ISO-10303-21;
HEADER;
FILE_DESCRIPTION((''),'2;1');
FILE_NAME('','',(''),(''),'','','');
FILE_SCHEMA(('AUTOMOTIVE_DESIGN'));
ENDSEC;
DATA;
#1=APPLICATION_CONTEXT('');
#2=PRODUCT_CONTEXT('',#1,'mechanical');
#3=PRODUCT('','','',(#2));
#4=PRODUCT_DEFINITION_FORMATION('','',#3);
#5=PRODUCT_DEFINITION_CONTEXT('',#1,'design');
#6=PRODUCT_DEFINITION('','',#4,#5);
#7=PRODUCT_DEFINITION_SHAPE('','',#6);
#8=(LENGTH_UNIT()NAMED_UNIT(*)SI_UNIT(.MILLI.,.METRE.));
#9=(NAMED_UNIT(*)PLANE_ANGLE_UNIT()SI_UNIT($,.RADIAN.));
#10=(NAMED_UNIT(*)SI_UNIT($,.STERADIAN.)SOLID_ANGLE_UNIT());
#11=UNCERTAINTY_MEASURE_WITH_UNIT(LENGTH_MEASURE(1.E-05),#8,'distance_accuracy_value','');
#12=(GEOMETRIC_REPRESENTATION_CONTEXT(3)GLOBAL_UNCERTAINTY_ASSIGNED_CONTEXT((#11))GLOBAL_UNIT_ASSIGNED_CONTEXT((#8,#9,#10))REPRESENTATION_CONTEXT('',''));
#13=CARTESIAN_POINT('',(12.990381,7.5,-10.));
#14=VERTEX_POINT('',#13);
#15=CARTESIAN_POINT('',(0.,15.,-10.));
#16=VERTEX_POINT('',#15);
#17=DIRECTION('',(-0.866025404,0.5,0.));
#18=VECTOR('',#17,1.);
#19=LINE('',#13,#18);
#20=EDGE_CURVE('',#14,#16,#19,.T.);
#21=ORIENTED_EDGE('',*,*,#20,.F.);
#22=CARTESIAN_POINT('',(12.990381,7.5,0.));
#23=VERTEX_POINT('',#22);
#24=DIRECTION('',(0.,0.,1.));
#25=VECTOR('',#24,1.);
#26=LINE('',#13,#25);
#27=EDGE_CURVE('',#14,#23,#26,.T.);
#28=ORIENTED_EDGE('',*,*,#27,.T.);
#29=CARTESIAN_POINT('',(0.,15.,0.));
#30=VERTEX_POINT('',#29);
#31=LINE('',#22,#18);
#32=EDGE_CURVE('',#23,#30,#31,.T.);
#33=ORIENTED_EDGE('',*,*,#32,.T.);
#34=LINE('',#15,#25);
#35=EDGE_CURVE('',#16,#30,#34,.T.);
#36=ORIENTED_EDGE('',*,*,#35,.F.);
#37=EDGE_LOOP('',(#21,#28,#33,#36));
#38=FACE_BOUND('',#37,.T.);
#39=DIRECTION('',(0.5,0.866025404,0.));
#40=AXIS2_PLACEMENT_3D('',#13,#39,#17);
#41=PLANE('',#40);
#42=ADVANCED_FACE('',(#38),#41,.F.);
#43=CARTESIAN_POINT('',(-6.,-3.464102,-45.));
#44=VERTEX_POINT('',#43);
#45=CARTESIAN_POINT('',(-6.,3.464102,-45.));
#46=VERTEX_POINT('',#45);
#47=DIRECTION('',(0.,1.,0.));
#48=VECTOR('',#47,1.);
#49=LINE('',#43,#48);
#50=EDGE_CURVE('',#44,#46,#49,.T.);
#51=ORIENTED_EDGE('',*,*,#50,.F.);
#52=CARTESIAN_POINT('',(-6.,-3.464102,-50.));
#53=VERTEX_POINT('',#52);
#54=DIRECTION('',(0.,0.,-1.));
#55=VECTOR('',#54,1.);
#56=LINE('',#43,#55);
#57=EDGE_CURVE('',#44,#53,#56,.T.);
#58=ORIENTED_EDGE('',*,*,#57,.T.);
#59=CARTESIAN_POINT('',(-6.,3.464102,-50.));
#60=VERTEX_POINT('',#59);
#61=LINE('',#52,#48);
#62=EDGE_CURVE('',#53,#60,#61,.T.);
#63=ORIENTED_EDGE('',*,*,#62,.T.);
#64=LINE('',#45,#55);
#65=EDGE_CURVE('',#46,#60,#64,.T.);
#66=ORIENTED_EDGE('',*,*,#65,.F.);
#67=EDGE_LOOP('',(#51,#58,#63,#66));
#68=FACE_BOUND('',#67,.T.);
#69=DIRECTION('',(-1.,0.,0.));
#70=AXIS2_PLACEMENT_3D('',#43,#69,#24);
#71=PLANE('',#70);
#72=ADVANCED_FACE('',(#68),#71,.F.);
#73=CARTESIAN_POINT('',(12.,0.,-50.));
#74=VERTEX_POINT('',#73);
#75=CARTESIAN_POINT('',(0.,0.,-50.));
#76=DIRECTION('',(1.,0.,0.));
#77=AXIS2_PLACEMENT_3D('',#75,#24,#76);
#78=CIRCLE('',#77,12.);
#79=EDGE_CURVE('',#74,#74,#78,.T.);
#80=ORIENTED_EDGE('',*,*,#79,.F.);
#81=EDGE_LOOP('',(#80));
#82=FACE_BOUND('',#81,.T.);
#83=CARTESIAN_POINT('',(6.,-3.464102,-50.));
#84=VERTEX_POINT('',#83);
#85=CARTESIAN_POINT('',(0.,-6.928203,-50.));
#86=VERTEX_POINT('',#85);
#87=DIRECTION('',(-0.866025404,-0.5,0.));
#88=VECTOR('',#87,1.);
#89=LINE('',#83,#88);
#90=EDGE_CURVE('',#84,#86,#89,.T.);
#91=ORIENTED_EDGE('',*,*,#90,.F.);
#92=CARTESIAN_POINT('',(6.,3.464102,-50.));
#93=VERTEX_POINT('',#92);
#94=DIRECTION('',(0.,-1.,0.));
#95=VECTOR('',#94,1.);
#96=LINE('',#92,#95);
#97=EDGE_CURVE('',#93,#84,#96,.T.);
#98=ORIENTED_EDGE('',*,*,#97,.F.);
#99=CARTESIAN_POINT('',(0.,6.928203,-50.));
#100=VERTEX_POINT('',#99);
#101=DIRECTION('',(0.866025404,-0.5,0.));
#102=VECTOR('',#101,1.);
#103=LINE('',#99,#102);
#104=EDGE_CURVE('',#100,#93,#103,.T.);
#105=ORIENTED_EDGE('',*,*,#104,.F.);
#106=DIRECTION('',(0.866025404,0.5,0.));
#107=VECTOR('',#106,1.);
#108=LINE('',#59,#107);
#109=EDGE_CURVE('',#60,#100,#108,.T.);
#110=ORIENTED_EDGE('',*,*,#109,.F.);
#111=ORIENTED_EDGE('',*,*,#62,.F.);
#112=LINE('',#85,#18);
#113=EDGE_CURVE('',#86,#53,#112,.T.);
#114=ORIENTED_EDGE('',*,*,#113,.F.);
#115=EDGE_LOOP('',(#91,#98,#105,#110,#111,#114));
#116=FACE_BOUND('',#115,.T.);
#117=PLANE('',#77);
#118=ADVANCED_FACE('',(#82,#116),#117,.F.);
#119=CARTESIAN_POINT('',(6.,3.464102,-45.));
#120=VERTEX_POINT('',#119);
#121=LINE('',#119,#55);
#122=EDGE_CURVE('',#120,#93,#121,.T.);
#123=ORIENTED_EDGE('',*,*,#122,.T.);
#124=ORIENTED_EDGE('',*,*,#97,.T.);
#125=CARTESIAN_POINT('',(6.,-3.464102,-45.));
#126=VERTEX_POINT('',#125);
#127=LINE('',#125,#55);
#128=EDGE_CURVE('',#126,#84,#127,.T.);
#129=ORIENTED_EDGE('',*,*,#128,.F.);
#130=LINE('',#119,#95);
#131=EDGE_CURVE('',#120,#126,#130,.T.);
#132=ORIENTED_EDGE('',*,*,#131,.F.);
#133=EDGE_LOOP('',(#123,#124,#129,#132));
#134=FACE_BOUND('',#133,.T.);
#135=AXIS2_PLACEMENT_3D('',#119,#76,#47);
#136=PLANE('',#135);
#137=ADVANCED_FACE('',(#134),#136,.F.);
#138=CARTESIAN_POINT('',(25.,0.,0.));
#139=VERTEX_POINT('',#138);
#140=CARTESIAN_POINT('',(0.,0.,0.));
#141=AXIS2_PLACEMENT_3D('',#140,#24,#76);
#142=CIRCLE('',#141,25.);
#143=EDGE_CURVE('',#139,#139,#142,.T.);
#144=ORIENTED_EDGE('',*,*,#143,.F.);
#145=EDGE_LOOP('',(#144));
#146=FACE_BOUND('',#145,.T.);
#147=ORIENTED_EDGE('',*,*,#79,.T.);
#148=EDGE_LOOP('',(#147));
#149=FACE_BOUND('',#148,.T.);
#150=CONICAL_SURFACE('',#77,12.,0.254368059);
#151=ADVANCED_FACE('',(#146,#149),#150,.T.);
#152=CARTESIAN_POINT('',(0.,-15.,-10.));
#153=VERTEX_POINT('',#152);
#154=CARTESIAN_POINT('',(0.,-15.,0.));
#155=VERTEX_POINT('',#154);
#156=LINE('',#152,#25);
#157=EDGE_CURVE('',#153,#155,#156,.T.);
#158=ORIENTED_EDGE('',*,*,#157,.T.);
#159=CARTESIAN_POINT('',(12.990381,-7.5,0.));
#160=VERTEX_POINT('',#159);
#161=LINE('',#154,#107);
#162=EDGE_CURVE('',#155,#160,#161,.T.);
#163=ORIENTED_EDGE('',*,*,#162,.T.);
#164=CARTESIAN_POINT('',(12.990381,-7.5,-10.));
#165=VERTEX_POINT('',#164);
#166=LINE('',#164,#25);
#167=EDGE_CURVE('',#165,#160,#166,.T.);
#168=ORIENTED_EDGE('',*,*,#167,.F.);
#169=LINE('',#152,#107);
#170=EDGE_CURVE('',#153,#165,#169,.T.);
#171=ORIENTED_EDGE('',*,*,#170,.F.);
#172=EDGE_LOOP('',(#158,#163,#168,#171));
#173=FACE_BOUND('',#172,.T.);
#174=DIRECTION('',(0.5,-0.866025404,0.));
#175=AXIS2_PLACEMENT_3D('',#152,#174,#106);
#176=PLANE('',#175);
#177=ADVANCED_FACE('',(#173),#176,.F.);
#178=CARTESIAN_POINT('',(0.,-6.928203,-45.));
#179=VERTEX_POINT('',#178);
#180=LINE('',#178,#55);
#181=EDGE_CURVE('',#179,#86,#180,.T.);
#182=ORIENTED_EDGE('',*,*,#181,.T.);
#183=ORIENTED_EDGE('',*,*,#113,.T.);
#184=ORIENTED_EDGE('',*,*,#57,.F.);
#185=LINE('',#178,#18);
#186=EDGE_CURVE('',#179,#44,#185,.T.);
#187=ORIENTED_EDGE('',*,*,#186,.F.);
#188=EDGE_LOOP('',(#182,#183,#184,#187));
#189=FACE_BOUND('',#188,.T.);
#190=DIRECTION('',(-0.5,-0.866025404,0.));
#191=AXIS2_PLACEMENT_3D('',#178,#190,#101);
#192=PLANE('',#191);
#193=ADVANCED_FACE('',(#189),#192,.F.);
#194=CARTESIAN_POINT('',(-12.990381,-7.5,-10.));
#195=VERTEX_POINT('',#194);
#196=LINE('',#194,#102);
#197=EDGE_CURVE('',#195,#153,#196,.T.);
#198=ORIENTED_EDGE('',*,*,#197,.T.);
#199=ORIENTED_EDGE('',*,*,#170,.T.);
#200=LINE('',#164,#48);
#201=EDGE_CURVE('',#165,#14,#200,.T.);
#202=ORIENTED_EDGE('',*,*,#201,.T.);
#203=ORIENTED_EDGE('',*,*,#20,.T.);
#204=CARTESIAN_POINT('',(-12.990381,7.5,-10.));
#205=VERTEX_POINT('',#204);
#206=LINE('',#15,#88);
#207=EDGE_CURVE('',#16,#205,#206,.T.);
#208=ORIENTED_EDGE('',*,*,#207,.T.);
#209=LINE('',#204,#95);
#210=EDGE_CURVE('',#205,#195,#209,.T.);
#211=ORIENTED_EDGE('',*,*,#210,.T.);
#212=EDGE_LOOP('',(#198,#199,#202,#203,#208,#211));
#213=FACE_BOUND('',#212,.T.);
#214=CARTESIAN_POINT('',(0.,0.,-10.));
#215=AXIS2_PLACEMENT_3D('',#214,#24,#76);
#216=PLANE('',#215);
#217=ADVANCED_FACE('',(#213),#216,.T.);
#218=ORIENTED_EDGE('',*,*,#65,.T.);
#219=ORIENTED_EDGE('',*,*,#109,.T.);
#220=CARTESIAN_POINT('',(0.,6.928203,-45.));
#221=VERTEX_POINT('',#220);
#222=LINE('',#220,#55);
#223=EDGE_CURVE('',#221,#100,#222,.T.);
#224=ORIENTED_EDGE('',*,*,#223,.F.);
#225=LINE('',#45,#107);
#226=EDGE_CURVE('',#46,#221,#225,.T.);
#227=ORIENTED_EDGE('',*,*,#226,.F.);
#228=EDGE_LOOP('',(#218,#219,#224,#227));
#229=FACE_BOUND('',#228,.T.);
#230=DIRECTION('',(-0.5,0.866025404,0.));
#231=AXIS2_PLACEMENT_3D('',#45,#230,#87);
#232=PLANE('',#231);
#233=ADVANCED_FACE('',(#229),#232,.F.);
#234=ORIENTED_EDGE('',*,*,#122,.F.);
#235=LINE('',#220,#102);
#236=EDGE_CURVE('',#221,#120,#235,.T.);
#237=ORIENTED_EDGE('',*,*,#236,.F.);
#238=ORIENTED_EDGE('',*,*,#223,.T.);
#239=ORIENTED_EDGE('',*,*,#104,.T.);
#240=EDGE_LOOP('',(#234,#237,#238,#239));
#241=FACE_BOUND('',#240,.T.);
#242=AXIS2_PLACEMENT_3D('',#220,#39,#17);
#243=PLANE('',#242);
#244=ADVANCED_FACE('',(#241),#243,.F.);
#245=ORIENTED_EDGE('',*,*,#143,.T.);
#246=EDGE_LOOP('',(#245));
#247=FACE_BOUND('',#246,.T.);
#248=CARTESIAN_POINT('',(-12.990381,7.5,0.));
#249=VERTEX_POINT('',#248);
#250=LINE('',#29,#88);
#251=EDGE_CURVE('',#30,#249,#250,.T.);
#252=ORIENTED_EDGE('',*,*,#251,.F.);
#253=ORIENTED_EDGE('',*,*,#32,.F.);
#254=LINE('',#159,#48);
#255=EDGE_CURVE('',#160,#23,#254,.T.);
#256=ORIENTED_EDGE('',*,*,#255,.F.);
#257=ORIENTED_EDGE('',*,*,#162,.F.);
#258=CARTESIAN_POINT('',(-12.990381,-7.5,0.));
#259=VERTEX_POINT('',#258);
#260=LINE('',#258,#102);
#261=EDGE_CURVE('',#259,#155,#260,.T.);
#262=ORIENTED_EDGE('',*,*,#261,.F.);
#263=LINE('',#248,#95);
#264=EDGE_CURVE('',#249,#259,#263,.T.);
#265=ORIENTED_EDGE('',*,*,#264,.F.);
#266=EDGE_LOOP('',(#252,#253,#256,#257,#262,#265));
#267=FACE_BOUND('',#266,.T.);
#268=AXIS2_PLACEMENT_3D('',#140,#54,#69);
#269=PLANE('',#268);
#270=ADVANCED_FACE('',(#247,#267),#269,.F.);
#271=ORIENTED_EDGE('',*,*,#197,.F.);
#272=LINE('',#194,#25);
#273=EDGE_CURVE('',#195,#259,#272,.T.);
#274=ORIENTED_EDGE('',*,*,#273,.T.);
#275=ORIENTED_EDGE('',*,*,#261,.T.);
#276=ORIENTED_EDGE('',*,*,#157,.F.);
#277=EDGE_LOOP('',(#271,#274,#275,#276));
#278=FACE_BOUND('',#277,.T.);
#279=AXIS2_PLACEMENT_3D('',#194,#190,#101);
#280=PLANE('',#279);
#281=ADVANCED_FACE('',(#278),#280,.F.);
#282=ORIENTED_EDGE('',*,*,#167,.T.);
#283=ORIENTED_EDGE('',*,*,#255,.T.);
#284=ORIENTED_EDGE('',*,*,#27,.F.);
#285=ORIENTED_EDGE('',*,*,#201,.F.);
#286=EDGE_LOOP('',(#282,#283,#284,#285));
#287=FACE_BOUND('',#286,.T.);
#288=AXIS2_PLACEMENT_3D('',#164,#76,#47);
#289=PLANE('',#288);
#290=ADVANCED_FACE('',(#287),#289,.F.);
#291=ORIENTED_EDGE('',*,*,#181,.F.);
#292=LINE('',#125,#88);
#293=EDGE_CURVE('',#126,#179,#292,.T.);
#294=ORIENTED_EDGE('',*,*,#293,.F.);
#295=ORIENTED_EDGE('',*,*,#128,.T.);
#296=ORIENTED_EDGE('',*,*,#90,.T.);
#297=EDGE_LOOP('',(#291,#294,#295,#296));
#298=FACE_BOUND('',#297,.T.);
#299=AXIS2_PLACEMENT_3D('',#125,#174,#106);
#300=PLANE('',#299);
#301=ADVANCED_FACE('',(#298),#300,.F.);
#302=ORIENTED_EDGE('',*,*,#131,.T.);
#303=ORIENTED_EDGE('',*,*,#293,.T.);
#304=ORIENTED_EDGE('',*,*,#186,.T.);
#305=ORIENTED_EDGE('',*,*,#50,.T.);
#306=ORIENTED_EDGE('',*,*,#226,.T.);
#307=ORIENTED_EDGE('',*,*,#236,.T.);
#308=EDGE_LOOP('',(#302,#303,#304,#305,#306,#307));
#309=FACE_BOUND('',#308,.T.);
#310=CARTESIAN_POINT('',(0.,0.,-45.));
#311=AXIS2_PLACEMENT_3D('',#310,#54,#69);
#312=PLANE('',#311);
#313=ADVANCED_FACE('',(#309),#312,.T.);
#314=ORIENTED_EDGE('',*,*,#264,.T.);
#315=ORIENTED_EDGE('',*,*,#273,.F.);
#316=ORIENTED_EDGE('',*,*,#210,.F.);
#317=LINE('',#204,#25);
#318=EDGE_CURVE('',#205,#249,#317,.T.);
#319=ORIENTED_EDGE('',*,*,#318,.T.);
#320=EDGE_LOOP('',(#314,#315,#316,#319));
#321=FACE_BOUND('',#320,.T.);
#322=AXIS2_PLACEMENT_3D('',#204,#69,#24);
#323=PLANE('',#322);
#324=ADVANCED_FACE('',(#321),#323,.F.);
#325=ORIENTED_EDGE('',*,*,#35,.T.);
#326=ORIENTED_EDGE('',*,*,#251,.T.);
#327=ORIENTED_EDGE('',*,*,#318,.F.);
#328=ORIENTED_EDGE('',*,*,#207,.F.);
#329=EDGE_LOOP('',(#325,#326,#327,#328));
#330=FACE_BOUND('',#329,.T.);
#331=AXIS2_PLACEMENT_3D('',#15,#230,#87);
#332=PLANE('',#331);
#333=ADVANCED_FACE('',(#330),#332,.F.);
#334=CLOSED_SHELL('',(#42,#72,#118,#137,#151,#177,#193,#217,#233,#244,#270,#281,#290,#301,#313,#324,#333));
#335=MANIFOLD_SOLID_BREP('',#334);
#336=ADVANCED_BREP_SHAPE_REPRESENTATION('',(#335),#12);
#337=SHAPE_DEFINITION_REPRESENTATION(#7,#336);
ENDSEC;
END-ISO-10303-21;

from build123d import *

# Parameters (mm, degrees)
CUT_EXTRUDE_1_DEPTH = 5
CUT_EXTRUDE_2_DEPTH = 10


with BuildPart() as part:
    # 草图1 → 旋转1 (revolve)
    with BuildSketch(Plane(origin=(0, 0, 0), x_dir=(1, 0, 0), z_dir=(0, 1, 0))):
        Polygon((12, 50), (0, 50), (0, 20), (19.8, 20), align=None)
        Polygon((19.8, 20), (0, 20), (0, 0), (25, 0), align=None)
    revolve(axis=Axis((0, 0, 0), (0, 0, -1)))

    # 草图2 → 切除-拉伸1 (cut)
    with BuildSketch(Plane(origin=(0, 0, -50), x_dir=(-1, 0, 0), z_dir=(0, 0, -1))):
        Polygon((0, 6.92820323), (-6, 3.464101615), (-6, -3.464101615), (0, -6.92820323), (6, -3.464101615), (6, 3.464101615), align=None)
    extrude(amount=-CUT_EXTRUDE_1_DEPTH, mode=Mode.SUBTRACT)

    # 草图3 → 切除-拉伸2 (cut)
    with BuildSketch(Plane.XY):
        Polygon((0, 15), (-12.990381057, 7.5), (-12.990381057, -7.5), (0, -15), (12.990381057, -7.5), (12.990381057, 7.5), align=None)
    extrude(amount=-CUT_EXTRUDE_2_DEPTH, mode=Mode.SUBTRACT)


solid = part.part
